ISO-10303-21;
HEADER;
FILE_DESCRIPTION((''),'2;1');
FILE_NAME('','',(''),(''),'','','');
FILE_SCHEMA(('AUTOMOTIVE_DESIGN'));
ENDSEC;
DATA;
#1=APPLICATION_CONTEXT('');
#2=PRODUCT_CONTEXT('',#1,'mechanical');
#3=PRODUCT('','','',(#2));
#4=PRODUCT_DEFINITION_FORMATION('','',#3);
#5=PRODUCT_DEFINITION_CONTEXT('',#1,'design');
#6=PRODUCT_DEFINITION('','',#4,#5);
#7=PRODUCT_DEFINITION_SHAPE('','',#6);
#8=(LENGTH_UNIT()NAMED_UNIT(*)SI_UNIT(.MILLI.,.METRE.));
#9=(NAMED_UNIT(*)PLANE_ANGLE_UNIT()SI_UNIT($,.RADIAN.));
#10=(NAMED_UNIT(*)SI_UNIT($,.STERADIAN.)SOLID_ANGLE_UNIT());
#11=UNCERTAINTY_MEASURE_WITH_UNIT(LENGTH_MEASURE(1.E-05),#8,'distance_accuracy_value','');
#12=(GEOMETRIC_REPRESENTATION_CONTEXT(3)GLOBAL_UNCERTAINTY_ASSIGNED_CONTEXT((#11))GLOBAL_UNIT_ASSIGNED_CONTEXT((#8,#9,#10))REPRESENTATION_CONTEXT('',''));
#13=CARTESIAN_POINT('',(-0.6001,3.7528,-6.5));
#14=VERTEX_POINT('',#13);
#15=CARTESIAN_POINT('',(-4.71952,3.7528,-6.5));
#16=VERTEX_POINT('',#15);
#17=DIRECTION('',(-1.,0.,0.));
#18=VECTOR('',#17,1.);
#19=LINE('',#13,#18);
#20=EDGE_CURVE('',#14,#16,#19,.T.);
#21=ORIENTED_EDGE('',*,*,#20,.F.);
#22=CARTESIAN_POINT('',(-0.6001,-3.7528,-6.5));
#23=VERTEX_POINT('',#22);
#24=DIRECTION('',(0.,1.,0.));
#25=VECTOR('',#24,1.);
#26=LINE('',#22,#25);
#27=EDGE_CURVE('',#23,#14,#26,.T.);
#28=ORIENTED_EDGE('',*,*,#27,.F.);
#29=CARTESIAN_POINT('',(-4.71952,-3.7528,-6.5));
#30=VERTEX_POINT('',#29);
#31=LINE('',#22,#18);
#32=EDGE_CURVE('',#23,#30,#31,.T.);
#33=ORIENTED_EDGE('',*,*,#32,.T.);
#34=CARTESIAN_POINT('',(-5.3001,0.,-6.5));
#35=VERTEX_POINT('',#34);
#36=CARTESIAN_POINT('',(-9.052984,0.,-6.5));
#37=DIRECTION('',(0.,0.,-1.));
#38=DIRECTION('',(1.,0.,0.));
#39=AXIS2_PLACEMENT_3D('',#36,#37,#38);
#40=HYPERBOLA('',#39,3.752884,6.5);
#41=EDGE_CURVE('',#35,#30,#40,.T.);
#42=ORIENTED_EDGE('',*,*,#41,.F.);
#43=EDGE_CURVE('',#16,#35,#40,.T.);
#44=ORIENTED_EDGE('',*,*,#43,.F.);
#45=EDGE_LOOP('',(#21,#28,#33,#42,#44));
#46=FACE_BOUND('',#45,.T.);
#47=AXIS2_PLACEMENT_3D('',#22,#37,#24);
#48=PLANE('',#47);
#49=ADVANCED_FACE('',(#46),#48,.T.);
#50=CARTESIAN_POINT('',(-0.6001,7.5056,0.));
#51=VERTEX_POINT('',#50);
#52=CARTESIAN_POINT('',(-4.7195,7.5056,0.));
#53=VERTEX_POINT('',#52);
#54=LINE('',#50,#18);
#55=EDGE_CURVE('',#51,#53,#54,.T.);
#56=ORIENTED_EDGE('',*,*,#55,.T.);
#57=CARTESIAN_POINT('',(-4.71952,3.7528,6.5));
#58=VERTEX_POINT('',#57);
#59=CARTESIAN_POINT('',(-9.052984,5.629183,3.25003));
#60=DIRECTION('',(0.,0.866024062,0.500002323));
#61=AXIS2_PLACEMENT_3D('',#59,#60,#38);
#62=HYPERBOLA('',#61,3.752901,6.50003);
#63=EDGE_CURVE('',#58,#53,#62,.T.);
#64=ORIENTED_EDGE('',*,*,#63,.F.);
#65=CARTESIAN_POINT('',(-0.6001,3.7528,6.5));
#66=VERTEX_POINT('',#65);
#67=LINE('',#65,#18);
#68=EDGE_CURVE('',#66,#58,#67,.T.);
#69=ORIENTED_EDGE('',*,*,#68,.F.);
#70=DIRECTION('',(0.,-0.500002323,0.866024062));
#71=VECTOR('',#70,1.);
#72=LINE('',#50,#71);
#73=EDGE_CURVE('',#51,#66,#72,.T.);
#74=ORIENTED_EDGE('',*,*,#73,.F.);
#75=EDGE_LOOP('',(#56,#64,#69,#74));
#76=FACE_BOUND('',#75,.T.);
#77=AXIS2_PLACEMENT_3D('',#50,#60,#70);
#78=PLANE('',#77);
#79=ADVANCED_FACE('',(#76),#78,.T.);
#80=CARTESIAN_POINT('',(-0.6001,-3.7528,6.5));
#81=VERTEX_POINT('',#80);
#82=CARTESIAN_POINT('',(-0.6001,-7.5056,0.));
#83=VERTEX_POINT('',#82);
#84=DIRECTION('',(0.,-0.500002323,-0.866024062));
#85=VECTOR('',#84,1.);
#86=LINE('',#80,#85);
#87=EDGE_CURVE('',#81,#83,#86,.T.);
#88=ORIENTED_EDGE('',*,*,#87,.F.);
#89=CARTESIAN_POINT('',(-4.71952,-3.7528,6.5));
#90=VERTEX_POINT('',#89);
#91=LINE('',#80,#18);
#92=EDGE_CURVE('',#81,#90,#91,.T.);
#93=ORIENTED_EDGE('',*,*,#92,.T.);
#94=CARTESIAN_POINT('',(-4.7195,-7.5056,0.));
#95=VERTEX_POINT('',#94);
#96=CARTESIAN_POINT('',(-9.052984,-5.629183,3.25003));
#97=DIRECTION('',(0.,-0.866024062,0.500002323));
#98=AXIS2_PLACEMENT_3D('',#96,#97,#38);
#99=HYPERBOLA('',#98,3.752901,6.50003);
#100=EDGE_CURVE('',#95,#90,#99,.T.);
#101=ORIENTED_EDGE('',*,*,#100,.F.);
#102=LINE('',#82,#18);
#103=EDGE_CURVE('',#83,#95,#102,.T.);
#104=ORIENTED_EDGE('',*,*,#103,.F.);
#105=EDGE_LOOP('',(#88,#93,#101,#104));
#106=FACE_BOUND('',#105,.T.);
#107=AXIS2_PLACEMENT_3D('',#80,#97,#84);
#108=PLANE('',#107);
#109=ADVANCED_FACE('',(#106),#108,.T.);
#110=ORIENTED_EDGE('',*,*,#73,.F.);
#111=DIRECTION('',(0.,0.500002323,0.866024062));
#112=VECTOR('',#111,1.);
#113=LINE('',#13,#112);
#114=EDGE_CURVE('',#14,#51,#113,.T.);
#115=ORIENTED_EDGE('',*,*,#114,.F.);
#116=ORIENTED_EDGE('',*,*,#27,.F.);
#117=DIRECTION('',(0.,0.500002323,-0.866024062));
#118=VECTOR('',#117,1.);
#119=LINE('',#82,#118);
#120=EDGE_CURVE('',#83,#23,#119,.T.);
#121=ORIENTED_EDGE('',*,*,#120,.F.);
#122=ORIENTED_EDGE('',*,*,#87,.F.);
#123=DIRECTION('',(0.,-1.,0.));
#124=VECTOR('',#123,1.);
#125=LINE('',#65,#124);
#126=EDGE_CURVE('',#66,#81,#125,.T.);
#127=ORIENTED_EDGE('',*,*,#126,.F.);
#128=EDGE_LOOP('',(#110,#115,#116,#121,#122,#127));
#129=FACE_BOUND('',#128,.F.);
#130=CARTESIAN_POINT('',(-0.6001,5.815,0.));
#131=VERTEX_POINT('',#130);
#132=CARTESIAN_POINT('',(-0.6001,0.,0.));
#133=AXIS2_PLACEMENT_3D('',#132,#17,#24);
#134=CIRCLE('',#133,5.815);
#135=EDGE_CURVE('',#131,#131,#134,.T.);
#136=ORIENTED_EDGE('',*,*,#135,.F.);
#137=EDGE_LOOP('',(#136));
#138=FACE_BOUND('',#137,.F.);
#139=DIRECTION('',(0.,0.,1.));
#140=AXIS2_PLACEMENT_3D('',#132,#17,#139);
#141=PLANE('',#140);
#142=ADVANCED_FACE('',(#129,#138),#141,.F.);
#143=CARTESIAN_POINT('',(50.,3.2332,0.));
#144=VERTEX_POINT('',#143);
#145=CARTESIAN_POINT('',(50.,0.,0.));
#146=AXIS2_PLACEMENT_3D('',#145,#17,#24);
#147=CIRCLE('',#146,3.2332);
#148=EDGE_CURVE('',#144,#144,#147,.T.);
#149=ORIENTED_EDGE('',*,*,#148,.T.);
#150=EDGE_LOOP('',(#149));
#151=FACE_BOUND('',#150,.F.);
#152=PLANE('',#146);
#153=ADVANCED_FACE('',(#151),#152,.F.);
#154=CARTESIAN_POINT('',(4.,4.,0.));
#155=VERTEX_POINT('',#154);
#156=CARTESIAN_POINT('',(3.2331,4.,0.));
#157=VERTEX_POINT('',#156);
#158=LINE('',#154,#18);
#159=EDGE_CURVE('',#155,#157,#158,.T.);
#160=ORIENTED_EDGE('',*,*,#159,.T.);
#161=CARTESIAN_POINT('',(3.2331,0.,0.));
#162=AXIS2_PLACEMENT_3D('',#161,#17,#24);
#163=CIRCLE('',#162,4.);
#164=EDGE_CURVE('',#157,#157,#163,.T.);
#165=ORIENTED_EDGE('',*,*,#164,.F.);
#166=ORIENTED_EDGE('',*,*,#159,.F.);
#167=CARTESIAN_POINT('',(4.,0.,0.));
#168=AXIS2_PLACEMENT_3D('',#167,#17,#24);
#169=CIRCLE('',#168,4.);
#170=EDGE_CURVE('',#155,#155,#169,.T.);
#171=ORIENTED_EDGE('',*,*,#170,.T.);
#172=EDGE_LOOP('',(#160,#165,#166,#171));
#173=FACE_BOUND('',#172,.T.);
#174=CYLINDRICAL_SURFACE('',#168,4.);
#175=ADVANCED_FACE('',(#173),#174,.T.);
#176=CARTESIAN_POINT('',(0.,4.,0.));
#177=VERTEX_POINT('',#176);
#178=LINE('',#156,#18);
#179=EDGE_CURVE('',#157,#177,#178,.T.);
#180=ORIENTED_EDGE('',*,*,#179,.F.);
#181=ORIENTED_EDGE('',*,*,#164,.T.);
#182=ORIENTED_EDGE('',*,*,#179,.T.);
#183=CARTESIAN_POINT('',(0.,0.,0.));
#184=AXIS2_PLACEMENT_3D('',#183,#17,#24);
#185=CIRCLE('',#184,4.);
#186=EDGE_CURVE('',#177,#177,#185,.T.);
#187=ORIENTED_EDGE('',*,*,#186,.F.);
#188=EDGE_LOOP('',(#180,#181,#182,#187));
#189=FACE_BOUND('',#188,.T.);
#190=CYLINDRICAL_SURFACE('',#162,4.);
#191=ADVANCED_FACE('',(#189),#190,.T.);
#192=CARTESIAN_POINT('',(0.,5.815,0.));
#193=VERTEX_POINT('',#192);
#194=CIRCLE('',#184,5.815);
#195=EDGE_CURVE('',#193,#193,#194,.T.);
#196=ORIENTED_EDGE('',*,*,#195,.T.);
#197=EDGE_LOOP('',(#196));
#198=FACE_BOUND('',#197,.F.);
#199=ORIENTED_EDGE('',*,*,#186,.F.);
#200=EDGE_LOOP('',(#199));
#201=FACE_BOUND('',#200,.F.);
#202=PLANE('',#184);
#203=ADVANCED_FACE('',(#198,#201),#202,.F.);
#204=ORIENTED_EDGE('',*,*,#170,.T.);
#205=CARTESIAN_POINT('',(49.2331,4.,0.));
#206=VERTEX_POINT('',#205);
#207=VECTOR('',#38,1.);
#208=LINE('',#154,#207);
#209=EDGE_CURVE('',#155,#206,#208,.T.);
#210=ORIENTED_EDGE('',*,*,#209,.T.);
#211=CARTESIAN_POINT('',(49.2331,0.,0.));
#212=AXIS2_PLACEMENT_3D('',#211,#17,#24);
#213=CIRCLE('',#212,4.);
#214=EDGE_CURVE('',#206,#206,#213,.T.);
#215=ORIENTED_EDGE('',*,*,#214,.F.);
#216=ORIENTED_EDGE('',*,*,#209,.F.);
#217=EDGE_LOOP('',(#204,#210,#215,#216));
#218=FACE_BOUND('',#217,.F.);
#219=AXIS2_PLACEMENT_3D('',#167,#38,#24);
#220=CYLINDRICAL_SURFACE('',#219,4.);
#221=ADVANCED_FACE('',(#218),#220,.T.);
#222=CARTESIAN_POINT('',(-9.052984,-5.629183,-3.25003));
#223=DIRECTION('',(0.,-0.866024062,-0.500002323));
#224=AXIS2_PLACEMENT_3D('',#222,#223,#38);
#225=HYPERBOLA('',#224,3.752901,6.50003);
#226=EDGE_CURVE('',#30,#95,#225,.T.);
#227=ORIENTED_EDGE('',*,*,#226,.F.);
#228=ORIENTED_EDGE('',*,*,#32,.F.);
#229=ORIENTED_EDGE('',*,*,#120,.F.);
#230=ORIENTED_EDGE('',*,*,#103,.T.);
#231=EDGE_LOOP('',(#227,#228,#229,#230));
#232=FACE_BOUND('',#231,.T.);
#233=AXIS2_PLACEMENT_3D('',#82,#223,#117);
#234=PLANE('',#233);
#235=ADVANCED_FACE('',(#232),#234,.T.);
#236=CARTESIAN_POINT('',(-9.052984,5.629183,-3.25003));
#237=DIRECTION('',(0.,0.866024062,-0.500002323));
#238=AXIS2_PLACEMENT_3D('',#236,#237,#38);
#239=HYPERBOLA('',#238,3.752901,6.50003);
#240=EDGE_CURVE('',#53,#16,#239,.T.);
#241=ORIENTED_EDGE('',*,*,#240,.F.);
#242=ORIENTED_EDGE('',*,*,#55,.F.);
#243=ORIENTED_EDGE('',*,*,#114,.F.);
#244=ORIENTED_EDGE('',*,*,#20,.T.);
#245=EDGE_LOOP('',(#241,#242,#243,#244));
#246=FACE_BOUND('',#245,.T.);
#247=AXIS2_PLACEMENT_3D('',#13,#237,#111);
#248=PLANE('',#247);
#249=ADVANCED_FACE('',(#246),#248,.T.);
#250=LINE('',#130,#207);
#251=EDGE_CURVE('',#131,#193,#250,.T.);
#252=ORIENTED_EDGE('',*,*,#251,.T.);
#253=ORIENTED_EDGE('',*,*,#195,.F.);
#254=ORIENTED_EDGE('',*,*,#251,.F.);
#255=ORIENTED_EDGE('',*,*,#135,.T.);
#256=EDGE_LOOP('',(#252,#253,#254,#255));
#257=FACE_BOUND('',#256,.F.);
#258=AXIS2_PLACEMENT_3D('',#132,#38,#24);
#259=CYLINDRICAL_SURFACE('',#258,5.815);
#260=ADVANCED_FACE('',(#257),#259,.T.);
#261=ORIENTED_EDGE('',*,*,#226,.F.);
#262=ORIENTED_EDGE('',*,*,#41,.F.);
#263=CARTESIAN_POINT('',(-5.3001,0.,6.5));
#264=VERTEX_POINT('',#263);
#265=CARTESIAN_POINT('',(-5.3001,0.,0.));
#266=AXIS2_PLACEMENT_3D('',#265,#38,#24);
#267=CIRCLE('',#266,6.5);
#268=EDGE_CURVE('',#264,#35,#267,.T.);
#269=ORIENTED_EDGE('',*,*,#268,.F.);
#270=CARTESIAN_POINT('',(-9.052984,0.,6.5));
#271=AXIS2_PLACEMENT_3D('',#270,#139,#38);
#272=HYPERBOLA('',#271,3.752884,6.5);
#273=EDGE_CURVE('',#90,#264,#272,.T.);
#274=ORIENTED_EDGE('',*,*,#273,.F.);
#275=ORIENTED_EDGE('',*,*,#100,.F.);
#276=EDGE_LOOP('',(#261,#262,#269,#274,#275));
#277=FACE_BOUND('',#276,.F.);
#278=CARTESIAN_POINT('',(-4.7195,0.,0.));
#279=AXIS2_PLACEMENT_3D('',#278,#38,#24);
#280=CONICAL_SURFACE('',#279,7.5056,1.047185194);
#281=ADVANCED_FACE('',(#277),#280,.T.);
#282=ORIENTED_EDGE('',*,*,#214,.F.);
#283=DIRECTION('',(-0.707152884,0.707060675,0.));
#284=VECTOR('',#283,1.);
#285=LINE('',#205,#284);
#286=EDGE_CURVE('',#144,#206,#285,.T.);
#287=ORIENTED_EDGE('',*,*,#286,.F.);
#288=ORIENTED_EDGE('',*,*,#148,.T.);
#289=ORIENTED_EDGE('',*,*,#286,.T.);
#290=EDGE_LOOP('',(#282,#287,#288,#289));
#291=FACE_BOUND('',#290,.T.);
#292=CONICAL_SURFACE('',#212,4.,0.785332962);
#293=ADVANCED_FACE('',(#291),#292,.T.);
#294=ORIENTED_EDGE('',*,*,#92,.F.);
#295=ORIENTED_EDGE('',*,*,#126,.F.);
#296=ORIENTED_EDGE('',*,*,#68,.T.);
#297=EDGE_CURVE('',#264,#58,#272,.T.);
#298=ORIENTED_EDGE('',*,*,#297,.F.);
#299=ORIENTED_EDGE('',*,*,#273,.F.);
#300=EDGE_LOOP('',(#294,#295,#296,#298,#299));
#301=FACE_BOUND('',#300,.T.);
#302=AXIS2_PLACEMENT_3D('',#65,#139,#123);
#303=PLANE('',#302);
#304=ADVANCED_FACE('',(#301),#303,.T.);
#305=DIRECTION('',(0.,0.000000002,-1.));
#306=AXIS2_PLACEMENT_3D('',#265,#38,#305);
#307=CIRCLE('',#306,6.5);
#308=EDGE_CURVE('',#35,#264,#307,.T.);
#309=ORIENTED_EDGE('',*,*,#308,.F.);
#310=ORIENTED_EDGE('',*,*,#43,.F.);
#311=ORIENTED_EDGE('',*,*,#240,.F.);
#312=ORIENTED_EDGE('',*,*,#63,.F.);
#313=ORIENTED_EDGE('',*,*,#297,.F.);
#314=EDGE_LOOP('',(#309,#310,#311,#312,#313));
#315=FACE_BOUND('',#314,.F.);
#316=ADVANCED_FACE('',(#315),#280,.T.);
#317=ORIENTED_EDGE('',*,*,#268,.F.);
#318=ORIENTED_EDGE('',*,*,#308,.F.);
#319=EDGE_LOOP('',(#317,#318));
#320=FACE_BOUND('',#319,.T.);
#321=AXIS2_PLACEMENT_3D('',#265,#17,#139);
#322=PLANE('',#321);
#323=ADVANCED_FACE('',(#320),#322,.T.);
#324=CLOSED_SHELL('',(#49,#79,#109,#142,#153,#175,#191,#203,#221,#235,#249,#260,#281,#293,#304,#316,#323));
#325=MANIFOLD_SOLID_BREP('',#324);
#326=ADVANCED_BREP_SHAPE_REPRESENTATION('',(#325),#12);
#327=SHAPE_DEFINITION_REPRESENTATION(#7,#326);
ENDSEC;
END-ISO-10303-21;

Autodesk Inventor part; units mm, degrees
ref_plane "YZ Plane" through (0, 0, 0) normal (1, 0, 0) x (0, 1, 0)
ref_plane "XZ Plane" through (0, 0, 0) normal (0, 1, 0) x (-1, 0, 0)
sketch "Sketch1" plane through (0, 0, 0) normal (0, 0, 1) x (1, 0, 0)
  line L0 (0, 5.815) -> (0, 4)
  line L1 (4, 4) -> (50, 4)
  line L2 (50, 4) -> (50, 0)
  line L3 (50, 0) -> (-0.6001, 0)
  line L4 (-10.7201, 0) -> (60.12, 0) projected
  line L5 (-0.6001, 0) -> (-0.6001, 5.815)
  line L6 (-0.6001, 5.815) -> (0, 5.815)
  line L7 (4, 4) -> (3.2331, 4)
  line L8 (3.2331, 4) -> (0, 4)
  line L9 (0, -1.163) -> (0, 6.978) projected
  dimension "d0" = 50
  dimension "d1" = 46
  dimension "d2" = 8
  dimension "d9" = 0.6001
  dimension "d10" = 11.63
  dimension "d13" = 0.7669
  dimension "d14" = 8
revolve "Body" add sketch "Sketch1" angle 360 about axis through (50, 0, 0) along (-1, 0, 0)
sketch "Sketch2" plane through (-0.6001, 0, 0) normal (-1, 0, 0) x (0, 0, 1)
  line L0 (0, 7.5056) -> (6.5, 3.7528)
  line L1 (6.5, 3.7528) -> (6.5, -3.7528)
  line L2 (6.5, -3.7528) -> (0, -7.5056)
  line L3 (0, -7.5056) -> (-6.5, -3.7528)
  line L4 (-6.5, -3.7528) -> (-6.5, 3.7528)
  line L5 (-6.5, 3.7528) -> (0, 7.5056)
  point P0 (0, 0)
  point P1 (0, 0)
  dimension "d11" = 13
extrude "Head" add sketch "Sketch2" along normal blind 4.7
sketch "Sketch4" plane through (0, 0, 0) normal (0, 0, 1) x (1, 0, 0)
  line L0 (-5.3001, 6.5) -> (-5.3001, 7.5056)
  line L1 (-5.3001, 7.5056) -> (-4.7195, 7.5056)
  line L2 (-4.7195, 7.5056) -> (-5.3001, 6.5)
  line L3 (-6.2401, 0) -> (0.3399, 0) projected
  line L4 (-0.6001, 7.5056) -> (-5.3001, 7.5056) projected
  line L5 (-5.3001, 3.7528) -> (-5.3001, 7.5056) projected
  dimension "d5" = 30
  dimension "d19" = 13
revolve "Chamfer1" cut sketch "Sketch4" angle 360 about axis through (-10, 0, 0) along (1, 0, 0)
thread "Thread" size "M8x1.25" class "6g" standard "ISO Metric profile" length 46
chamfer "Chamfer2" distance 0.7668 distance2 0.7669 1 edges at (50, -4, 0) measured on face at (50, 1.2946, -0.3191)
ref_plane "Work Plane1" through (1.525, 0, 0) normal (0, 0, 1) x (1, 0, 0)
equation "\"d11\" = SW"
equation "\"d3\" = KOH - SD"
equation "\"d15\" = GEL"
equation "\"d6\" = -0.5 * SPD + 0.5 * GD"
equation "\"d0\" = NLG"
equation "\"d1\" = GEL"
equation "\"d2\" = GD"
equation "\"d10\" = SD2"
equation "\"d14\" = BDM"
equation "\"d5\" = ANG1"
equation "\"d19\" = SW0"
equation "\"NLG\" = 50"
equation "\"GD\" = NND"
equation "\"BDM\" = NND"
equation "\"KOH\" = 5.3"
equation "\"GEL\" = 46"
equation "\"SW\" = 13"
equation "\"SW0\" = SW"
equation "\"SPD\" = NND - 1.2269 * PTC"
equation "\"SD2\" = 11.63"
equation "\"SD\" = 0.6"
equation "\"ANG1\" = 30deg"
equation "\"GAL\" = 0.61345 * PTC"
equation "\"GUL\" = 0.61345 * PTC"
equation "\"RR\" = 0.4"
equation "\"GD1\" = THREADDIA - 1.2269 * PTC"
equation "\"THREADDIA\" = 8"
equation "\"SDH\" = SD2"
equation "\"SDHG\" = 4"
equation "\"TOA\" = 30deg"
equation "\"PTC\" = 1.25"
equation "\"NND\" = 8"
equation "\"E0\" = 15.015"
properties part number "ISO 4017 - M8 x 50" material "Stainless Steel, 440C"
